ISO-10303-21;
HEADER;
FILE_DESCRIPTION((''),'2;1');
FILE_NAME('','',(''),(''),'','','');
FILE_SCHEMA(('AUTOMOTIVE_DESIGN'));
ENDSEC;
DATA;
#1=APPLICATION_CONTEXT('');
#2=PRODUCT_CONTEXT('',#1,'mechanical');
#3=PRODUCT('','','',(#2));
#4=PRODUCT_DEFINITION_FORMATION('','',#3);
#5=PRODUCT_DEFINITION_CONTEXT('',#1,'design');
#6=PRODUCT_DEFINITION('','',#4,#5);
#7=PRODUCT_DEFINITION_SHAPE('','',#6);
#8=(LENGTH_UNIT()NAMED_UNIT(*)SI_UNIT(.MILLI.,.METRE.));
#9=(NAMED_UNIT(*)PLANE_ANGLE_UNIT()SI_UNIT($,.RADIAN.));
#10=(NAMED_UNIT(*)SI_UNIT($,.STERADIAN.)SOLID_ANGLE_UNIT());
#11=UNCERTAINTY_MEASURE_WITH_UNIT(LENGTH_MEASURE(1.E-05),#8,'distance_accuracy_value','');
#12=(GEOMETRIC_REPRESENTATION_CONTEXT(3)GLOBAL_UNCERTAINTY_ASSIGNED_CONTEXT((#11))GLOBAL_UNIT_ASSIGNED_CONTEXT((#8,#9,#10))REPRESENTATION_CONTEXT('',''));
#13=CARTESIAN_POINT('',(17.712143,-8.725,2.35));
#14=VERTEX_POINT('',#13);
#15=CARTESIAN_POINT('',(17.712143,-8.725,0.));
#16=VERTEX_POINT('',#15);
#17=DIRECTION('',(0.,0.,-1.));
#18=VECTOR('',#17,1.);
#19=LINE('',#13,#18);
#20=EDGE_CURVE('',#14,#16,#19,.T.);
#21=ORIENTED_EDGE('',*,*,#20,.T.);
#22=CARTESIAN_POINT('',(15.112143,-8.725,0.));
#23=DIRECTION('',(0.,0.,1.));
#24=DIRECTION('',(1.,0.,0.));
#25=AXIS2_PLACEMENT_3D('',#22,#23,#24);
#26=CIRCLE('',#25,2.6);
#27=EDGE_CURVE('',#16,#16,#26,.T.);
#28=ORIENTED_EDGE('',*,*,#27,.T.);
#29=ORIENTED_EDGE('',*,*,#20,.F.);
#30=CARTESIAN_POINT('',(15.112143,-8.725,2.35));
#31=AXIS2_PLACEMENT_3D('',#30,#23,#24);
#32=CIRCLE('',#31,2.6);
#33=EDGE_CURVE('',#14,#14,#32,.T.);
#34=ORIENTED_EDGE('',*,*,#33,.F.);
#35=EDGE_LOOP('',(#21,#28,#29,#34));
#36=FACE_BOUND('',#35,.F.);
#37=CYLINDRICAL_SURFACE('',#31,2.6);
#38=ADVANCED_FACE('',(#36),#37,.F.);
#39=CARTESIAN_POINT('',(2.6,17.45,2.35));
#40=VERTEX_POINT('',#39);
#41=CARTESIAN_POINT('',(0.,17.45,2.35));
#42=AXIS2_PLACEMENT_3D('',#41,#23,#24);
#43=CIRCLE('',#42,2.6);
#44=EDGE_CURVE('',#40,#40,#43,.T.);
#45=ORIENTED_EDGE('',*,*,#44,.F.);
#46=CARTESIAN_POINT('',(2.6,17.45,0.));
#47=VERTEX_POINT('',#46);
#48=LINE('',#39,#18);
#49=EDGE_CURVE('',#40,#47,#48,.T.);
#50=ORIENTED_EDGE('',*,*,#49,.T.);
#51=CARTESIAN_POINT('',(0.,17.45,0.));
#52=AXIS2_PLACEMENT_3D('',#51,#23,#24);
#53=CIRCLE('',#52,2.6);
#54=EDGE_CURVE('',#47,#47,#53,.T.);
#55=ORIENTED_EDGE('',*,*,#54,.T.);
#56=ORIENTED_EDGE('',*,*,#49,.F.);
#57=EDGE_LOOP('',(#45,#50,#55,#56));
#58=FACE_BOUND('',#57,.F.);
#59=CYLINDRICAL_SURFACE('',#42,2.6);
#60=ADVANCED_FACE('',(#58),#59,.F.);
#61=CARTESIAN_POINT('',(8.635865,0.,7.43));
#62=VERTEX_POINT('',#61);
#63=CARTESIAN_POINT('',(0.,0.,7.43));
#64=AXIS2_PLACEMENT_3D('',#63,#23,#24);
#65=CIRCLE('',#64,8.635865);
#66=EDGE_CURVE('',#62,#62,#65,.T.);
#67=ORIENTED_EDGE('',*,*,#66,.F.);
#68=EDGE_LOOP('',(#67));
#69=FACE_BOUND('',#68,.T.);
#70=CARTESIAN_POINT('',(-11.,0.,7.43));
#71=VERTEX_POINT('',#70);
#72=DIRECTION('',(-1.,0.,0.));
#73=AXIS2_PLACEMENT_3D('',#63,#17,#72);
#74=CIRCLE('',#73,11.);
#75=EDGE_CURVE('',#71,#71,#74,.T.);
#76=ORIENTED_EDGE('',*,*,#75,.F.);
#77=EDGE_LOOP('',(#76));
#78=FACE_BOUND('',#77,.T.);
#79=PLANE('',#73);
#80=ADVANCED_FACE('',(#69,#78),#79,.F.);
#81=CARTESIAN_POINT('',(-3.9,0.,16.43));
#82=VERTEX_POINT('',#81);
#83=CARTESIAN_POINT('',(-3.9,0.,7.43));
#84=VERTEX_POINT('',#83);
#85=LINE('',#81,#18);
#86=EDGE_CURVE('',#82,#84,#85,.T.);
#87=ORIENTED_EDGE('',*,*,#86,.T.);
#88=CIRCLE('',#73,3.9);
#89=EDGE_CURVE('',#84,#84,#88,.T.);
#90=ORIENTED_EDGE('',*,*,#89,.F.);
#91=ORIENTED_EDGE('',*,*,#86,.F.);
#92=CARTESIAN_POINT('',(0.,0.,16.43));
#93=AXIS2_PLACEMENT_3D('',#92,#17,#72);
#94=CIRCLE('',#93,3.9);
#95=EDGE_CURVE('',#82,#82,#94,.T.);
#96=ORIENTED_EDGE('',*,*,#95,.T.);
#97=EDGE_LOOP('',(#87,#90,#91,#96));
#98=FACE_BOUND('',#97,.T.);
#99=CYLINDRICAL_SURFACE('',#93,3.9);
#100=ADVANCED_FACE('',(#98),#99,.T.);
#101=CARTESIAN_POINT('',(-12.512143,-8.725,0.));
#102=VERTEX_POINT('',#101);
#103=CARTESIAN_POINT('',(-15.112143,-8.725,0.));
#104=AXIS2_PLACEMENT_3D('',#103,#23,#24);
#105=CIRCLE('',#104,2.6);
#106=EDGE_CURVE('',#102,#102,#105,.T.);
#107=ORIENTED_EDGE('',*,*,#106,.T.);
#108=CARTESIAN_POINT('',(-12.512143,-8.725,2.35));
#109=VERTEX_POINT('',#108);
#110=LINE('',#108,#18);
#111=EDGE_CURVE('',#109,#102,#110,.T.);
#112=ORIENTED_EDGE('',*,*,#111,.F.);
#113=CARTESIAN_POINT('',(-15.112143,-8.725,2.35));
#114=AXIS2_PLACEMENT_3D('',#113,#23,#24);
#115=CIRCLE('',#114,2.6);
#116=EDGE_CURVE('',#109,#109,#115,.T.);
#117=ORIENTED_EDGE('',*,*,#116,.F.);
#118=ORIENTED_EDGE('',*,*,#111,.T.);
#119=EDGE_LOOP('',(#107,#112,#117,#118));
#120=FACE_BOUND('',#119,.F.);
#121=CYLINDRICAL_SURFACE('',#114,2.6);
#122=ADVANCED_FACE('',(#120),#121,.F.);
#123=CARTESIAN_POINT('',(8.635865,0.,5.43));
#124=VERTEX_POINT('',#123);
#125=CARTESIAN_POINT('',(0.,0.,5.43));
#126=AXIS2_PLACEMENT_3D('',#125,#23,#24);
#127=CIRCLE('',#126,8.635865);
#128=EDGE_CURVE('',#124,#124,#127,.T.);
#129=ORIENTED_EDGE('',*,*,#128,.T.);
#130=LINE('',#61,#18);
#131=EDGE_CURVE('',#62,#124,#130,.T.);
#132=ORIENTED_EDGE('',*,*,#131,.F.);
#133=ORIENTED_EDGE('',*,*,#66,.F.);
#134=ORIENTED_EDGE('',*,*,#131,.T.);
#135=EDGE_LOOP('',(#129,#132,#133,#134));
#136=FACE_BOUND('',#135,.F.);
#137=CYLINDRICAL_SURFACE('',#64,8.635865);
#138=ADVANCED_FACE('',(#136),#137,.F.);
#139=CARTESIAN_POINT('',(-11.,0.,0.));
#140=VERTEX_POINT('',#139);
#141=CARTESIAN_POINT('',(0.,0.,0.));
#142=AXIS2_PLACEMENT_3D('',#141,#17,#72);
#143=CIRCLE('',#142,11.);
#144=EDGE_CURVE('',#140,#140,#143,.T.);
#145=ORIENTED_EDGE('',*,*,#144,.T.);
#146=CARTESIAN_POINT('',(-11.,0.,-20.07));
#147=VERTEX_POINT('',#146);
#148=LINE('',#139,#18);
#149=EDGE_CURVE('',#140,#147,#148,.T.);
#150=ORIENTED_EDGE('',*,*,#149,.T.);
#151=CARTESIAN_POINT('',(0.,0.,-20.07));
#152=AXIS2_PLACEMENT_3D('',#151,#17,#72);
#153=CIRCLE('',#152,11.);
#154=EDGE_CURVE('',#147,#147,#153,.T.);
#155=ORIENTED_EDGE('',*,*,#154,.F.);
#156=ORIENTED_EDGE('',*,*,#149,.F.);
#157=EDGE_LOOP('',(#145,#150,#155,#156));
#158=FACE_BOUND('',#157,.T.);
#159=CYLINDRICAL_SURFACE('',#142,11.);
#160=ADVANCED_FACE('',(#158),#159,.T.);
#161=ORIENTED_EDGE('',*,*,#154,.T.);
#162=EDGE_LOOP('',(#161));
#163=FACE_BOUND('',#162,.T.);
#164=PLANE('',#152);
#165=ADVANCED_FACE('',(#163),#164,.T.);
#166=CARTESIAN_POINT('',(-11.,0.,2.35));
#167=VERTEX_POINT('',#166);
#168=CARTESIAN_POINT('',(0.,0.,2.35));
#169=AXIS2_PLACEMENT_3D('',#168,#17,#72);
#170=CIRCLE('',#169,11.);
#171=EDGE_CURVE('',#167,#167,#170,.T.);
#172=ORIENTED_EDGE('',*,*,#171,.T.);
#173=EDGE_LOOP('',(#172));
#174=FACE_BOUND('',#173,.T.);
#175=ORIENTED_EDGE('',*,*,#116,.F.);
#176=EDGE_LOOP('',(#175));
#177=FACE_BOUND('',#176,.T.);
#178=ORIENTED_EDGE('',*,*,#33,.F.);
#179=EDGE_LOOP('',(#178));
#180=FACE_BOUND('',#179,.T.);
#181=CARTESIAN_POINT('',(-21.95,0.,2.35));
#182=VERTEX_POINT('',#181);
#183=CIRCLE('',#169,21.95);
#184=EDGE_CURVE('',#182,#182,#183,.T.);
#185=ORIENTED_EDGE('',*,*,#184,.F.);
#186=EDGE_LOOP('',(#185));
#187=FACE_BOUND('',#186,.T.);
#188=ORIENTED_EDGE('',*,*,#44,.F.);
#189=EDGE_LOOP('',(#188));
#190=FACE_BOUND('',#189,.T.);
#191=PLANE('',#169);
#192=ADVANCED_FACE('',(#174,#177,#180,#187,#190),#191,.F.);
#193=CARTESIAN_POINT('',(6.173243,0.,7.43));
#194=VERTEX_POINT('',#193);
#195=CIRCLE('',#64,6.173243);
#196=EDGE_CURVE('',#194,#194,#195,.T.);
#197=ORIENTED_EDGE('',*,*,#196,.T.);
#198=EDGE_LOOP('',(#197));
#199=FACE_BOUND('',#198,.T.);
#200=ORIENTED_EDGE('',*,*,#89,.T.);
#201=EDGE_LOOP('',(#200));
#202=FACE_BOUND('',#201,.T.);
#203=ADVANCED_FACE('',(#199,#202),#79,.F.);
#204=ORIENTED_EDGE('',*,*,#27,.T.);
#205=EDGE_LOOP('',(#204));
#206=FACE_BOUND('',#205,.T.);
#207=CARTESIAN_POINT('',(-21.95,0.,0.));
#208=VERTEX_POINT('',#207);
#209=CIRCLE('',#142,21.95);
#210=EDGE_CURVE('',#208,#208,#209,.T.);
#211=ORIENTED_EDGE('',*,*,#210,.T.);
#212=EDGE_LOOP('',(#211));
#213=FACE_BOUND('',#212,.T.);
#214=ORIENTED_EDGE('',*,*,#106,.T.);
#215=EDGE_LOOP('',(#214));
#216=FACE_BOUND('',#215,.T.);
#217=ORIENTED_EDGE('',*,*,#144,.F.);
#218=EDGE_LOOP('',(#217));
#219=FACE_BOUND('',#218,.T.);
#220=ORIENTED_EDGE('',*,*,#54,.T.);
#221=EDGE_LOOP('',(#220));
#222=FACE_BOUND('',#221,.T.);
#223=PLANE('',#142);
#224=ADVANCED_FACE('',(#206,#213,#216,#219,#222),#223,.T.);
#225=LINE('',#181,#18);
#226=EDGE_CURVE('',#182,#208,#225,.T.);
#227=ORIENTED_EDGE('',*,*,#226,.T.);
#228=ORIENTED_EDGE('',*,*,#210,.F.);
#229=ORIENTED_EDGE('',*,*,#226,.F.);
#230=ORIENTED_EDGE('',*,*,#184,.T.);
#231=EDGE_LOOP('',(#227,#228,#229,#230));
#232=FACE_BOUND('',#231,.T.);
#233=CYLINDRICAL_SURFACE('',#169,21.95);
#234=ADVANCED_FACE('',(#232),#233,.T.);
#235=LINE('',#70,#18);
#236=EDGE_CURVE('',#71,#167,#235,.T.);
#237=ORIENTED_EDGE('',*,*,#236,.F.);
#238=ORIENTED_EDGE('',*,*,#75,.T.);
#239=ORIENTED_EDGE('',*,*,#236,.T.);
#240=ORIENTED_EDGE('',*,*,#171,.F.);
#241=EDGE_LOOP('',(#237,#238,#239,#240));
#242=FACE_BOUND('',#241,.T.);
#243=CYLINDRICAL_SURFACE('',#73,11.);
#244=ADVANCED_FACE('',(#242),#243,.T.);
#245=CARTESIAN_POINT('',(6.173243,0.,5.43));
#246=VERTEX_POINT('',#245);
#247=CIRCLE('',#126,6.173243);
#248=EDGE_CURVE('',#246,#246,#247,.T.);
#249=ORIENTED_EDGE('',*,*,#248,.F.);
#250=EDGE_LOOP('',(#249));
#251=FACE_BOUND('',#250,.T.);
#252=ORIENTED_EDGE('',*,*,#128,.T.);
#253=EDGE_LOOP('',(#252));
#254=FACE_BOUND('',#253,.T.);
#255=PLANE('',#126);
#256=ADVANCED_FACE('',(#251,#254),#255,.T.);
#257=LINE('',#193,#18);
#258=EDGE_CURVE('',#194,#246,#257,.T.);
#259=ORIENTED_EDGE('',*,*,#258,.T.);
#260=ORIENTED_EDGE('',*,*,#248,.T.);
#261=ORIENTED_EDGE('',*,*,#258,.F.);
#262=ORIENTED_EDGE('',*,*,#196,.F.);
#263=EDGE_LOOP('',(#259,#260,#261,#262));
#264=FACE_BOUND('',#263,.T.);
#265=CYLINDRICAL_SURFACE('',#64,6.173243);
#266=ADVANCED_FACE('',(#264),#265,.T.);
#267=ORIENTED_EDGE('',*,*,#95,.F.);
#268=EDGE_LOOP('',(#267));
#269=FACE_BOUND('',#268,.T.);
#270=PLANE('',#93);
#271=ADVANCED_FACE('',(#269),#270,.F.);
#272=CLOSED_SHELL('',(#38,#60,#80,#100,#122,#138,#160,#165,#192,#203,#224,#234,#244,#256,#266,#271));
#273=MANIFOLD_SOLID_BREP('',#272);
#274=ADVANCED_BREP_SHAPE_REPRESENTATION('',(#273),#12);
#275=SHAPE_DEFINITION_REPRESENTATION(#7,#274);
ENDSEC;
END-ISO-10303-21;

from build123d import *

# Parameters (mm, degrees)
F2_R     = 2.6
F3_DEPTH = 2.35
F4_R     = 8.635865
F4_R_2   = 6.173243
F5_DEPTH = 2


with BuildPart() as f1:
    # F0 (on Front) → F1 (revolve)
    with BuildSketch(Plane.XZ):
        Polygon((-3.9, 7.43), (-11, 7.43), (-11, 2.35), (-21.95, 2.35), (-21.95, 0), (-11, 0), (-11, -20.07), (0, -20.07), (0, 16.43), (-3.9, 16.43), align=None)
    revolve(axis=Axis((0, 0, -1.82), (0, 0, -1)))

    # F2 (on face) → F3 (cut, through all)
    with BuildSketch(Plane.XY.offset(2.35)):
        with Locations((0, 17.45)):
            Circle(F2_R)
        with Locations((15.112143, -8.725)):
            Circle(F2_R)
        with Locations((-15.112143, -8.725)):
            Circle(F2_R)
    extrude(amount=-F3_DEPTH, mode=Mode.SUBTRACT)

    # F4 (on face) → F5 (cut)
    with BuildSketch(Plane.XY.offset(7.43)):
        Circle(F4_R)
        Circle(F4_R_2, mode=Mode.SUBTRACT)
    extrude(amount=-F5_DEPTH, mode=Mode.SUBTRACT)


solid = f1.part
